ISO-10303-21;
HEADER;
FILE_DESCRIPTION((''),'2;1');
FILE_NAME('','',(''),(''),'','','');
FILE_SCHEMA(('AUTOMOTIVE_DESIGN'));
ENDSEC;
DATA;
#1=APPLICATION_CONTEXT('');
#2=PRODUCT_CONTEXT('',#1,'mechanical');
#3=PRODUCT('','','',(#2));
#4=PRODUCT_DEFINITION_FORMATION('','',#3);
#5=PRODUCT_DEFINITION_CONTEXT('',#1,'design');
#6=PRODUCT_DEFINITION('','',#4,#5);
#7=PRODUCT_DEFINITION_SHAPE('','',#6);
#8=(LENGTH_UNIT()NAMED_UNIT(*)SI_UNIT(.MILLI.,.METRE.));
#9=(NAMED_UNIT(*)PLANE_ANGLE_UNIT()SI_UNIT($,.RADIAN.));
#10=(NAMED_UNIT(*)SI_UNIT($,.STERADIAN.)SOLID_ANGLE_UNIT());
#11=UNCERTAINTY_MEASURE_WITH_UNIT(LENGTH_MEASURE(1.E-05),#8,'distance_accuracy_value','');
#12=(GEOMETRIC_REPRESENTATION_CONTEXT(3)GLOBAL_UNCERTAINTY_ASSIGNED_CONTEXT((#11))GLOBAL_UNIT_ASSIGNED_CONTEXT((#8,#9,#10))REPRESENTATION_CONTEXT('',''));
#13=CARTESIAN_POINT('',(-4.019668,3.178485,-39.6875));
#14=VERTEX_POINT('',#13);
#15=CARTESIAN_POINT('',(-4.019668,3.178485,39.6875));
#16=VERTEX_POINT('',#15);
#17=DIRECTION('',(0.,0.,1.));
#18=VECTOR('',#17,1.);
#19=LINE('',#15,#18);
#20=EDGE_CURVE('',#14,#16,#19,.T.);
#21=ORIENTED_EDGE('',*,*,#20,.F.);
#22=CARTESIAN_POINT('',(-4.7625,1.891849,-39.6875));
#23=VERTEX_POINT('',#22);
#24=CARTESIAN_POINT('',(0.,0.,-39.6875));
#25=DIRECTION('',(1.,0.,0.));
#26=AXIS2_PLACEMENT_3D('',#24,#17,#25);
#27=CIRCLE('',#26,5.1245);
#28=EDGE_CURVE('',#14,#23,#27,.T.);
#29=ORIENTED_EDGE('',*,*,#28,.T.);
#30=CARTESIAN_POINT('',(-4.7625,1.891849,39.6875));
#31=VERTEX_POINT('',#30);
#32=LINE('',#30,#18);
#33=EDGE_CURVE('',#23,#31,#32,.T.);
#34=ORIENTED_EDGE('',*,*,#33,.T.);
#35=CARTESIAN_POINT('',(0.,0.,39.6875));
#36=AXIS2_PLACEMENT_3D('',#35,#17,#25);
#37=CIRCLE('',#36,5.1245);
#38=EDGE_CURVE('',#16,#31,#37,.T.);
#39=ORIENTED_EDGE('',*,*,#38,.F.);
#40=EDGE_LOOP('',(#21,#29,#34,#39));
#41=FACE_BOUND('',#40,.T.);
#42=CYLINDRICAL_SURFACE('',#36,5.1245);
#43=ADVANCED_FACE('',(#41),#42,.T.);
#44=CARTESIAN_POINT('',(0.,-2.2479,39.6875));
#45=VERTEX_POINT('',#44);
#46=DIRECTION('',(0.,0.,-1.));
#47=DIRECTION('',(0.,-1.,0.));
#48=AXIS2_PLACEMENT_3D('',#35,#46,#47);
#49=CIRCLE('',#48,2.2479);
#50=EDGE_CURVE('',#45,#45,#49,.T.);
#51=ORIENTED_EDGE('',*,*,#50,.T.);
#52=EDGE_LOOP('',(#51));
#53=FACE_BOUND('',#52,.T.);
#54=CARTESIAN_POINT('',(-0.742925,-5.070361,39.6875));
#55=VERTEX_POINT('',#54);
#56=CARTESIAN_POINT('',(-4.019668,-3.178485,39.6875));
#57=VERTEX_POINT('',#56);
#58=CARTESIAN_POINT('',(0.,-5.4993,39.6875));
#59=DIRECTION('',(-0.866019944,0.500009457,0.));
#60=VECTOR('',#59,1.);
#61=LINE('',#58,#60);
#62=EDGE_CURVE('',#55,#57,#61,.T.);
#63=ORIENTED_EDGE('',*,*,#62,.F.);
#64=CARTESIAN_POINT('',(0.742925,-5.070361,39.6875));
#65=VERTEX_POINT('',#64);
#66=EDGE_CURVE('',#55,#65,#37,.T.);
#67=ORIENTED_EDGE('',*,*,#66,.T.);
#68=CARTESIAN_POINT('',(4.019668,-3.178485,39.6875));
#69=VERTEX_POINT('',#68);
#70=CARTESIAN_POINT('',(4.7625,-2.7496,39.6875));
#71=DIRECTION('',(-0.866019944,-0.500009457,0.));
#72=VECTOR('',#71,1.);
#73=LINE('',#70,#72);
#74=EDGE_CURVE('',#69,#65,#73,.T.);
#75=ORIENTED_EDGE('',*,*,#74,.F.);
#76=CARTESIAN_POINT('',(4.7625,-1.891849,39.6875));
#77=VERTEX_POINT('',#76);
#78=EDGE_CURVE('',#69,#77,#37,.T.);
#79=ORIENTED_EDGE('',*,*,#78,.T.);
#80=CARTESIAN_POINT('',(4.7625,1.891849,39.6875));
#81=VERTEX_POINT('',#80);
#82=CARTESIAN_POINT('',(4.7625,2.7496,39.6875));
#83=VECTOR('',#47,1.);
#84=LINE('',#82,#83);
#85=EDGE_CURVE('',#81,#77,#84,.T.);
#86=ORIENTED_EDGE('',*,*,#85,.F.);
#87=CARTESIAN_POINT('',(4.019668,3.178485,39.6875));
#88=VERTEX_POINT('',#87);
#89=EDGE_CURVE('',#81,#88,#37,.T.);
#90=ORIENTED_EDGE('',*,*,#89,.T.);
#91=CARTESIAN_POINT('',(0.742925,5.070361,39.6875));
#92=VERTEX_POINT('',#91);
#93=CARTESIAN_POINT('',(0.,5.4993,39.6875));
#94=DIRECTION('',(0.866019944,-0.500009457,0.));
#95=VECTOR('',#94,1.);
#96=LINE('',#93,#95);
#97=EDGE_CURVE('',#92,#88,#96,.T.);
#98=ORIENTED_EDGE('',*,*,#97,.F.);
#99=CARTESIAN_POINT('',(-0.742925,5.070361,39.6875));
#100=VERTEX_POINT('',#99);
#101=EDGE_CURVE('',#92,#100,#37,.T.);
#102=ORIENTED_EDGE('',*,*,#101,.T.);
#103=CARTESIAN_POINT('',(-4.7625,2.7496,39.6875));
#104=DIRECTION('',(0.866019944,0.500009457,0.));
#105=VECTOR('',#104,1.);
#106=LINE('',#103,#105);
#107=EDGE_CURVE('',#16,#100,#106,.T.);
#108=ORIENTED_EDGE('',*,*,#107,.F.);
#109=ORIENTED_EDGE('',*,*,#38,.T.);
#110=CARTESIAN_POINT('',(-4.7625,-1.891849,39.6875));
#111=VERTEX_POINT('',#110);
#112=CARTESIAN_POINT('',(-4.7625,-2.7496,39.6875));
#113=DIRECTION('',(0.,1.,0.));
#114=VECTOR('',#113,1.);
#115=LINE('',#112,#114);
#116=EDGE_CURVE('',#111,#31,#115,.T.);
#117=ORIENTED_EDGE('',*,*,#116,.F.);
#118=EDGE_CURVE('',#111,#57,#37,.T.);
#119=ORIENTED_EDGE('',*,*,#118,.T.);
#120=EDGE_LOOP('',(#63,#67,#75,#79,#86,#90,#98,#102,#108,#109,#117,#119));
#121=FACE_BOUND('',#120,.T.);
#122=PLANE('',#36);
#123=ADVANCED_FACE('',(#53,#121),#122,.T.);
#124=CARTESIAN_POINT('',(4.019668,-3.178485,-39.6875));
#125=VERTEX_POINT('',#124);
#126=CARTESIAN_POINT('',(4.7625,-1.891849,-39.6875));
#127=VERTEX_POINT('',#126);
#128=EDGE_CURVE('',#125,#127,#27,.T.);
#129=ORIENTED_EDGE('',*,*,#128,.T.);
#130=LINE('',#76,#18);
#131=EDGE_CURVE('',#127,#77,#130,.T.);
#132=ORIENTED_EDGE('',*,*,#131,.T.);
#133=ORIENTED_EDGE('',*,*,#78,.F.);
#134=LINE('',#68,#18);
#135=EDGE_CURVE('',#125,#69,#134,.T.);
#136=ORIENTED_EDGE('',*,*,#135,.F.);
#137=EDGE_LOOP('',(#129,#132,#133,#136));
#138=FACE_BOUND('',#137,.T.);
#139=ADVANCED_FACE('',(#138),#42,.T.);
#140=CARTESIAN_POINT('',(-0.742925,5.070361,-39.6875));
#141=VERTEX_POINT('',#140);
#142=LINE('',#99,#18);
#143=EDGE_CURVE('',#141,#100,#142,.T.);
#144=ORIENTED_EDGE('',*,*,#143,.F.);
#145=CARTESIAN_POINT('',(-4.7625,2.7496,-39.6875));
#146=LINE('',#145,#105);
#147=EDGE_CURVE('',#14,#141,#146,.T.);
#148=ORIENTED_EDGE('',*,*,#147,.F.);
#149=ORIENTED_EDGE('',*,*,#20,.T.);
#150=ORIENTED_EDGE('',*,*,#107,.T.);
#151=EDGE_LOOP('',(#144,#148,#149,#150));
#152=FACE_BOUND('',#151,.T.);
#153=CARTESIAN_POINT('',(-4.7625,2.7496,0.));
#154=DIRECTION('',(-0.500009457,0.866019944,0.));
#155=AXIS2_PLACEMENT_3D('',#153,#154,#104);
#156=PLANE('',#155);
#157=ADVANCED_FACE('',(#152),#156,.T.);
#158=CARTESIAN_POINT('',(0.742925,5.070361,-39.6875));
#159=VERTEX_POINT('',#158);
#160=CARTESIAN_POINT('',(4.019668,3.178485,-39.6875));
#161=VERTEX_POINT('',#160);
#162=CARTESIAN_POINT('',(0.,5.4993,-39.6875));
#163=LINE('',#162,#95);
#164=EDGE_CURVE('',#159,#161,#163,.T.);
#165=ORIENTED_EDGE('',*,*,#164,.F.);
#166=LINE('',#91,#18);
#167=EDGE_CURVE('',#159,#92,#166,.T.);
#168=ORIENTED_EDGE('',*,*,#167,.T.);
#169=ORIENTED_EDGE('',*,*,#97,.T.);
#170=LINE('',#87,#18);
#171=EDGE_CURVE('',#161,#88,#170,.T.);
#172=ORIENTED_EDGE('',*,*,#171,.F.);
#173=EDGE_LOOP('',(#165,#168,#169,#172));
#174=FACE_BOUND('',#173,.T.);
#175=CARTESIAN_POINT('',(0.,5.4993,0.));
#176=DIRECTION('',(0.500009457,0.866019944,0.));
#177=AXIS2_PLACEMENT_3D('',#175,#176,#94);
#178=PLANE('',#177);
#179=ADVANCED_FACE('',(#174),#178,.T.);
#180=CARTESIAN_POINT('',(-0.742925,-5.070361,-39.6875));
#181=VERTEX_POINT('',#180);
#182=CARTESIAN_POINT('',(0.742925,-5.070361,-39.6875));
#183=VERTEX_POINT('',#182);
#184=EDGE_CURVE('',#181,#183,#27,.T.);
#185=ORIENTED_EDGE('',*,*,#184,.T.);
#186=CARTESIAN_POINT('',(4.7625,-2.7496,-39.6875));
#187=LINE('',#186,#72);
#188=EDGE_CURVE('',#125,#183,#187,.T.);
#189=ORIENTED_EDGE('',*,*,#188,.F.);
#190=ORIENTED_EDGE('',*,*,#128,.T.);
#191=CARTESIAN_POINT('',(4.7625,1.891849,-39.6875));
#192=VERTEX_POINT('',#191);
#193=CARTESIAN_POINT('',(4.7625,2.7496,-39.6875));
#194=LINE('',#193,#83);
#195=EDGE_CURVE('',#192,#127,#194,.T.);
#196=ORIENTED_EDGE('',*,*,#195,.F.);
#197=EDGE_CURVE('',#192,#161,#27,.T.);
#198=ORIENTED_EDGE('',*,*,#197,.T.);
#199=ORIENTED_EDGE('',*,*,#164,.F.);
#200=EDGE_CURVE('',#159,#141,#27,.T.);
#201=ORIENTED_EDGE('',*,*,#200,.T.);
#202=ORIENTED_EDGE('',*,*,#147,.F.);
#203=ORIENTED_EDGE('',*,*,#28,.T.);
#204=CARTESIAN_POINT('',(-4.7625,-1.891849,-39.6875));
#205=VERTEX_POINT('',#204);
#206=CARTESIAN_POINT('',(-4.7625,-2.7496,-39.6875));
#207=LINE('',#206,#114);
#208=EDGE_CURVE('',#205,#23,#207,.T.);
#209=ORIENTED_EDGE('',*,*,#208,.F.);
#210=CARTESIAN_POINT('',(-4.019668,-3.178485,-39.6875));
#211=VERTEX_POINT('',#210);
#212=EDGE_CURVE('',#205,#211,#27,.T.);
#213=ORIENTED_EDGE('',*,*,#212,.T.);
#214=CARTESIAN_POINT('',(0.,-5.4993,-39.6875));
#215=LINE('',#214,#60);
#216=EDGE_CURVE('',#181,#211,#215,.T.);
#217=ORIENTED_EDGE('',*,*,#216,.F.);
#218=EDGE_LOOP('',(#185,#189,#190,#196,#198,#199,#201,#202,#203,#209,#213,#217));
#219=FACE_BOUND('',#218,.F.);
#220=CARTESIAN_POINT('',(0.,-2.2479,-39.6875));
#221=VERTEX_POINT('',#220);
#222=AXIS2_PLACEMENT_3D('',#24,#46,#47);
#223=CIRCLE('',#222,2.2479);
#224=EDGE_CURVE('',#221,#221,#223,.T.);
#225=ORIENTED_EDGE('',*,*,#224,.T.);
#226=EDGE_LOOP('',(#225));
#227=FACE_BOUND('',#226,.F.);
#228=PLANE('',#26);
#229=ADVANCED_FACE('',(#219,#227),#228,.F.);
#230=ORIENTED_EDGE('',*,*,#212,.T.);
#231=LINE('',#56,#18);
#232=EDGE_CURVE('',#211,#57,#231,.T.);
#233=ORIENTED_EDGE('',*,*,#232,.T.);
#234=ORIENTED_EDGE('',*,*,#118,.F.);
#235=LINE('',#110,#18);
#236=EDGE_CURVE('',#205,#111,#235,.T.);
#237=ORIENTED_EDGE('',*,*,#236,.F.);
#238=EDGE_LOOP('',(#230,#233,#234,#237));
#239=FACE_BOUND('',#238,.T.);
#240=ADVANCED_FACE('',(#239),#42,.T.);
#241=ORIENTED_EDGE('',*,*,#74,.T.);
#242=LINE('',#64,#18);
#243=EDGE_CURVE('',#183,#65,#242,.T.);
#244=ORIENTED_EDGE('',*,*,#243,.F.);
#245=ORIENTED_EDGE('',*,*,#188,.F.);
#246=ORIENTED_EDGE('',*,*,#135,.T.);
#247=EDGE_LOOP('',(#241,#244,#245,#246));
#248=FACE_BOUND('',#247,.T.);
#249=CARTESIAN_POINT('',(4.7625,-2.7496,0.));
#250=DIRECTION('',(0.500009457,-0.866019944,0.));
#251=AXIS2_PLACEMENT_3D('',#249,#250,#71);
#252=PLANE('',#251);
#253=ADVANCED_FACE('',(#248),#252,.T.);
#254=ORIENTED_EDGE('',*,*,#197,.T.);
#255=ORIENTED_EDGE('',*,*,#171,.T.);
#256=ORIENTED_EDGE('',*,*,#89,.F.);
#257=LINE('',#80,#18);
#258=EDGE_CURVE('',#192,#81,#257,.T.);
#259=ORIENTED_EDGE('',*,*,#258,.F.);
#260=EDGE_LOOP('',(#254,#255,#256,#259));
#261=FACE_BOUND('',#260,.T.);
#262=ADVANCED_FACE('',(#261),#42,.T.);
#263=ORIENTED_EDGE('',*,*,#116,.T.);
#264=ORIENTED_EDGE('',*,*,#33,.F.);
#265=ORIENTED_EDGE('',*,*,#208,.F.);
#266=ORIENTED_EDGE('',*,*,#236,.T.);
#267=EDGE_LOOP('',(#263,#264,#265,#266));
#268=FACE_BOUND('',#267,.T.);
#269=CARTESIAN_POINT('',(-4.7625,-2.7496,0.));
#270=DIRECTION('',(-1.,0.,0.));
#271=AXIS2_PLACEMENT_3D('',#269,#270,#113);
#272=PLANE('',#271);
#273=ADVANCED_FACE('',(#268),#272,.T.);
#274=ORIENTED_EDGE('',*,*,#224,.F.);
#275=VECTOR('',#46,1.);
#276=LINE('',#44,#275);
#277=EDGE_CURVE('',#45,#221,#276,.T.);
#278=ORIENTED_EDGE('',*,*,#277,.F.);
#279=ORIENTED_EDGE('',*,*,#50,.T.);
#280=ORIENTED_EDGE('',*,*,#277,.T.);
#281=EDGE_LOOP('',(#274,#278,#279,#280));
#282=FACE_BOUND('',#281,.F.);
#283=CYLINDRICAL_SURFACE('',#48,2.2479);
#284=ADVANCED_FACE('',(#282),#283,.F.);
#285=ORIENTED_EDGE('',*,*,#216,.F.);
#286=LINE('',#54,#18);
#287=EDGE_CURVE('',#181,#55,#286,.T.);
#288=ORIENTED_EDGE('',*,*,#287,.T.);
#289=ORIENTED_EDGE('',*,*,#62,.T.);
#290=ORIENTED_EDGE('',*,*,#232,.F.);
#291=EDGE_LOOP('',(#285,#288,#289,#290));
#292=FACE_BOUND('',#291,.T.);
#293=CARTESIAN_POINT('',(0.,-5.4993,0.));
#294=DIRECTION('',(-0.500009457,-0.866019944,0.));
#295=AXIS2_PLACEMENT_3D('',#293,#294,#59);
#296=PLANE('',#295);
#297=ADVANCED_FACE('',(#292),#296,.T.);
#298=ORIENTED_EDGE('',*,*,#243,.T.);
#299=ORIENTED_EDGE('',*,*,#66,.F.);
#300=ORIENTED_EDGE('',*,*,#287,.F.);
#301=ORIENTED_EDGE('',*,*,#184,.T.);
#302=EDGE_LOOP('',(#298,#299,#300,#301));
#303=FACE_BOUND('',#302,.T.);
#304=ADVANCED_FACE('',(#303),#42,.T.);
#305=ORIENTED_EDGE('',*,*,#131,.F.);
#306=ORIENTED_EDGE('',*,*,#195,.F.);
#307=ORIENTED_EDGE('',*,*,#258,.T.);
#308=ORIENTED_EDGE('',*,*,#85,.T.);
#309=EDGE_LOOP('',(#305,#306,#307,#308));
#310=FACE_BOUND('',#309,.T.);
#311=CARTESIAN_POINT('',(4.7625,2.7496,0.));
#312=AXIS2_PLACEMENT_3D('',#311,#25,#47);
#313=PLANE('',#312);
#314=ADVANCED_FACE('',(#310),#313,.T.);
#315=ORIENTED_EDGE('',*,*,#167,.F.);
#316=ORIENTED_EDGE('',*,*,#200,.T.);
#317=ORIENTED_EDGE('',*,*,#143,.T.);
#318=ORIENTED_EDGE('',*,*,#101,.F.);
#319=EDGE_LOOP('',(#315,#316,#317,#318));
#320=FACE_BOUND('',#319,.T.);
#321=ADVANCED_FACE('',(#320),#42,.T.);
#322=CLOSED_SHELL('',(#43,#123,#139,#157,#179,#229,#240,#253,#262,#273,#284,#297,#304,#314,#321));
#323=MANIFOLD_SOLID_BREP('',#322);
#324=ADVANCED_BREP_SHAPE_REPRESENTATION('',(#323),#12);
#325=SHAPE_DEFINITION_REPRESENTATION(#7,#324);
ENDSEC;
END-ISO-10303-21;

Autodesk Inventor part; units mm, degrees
ref_plane "YZ Plane" through (0, 0, 0) normal (1, 0, 0) x (0, 1, 0)
ref_plane "XZ Plane" through (0, 0, 0) normal (0, 1, 0) x (-1, 0, 0)
ref_plane "XY Plane" through (0, 0, 0) normal (0, 0, 1) x (1, 0, 0)
sketch "Sketch1" plane through (0, 0, 0) normal (0, 0, 1) x (1, 0, 0)
  line L0 (-4.7625, -2.7496) -> (-4.7625, 2.7496)
  line L1 (-4.7625, 2.7496) -> (0, 5.4993)
  line L2 (0, 5.4993) -> (4.7625, 2.7496)
  line L3 (4.7625, 2.7496) -> (4.7625, -2.7496)
  line L4 (4.7625, -2.7496) -> (0, -5.4993)
  line L5 (0, -5.4993) -> (-4.7625, -2.7496)
  point P0 (0, 0)
  point P1 (0, 0)
  dimension "Size" = 9.525
extrude "Extrusion1" add sketch "Sketch1" along normal mid plane 79.375
sketch "Sketch3" plane through (0, 0, 39.6875) normal (0, 0, 1) x (1, 0, 0)
  line L0 (-4.7625, 2.7496) -> (0, 5.4993) construction
  line L1 (0, 5.4993) -> (4.7625, 2.7496) construction
  line L2 (4.7625, 2.7496) -> (4.7625, -2.7496) construction
  line L3 (4.7625, -2.7496) -> (0, -5.4993) construction
  line L4 (0, -5.4993) -> (-4.7625, -2.7496) construction
  line L5 (-4.7625, -2.7496) -> (-4.7625, 2.7496) construction
  point P0 (0, 0)
hole "Hole1" at (0, 0, 39.6875) direction (0, 0, -1) diameter 4.4958 end through all
sketch "Sketch4" plane through (0, 0, 39.6875) normal (0, 0, 1) x (1, 0, 0)
  circle A0 centre (0, 0) radius 2.2479 construction
  line L0 (-4.7625, 2.7496) -> (0, 5.4993) construction
  line L1 (0, 5.4993) -> (4.7625, 2.7496) construction
  line L2 (4.7625, 2.7496) -> (4.7625, -2.7496) construction
  line L3 (4.7625, -2.7496) -> (0, -5.4993) construction
  line L4 (0, -5.4993) -> (-4.7625, -2.7496) construction
  line L5 (-4.7625, -2.7496) -> (-4.7625, 2.7496) construction
  circle A1 centre (0, 0) radius 5.1245
  circle A2 centre (0, 0) radius 8.89
  dimension "thunder" = 10.2489
  dimension "d16" = 17.78
extrude "Extrusion3" cut sketch "Sketch4" against normal through all
equation "\"bearing\" = 25.4"
properties part number "GP1-005" material "Aluminum 6061"
